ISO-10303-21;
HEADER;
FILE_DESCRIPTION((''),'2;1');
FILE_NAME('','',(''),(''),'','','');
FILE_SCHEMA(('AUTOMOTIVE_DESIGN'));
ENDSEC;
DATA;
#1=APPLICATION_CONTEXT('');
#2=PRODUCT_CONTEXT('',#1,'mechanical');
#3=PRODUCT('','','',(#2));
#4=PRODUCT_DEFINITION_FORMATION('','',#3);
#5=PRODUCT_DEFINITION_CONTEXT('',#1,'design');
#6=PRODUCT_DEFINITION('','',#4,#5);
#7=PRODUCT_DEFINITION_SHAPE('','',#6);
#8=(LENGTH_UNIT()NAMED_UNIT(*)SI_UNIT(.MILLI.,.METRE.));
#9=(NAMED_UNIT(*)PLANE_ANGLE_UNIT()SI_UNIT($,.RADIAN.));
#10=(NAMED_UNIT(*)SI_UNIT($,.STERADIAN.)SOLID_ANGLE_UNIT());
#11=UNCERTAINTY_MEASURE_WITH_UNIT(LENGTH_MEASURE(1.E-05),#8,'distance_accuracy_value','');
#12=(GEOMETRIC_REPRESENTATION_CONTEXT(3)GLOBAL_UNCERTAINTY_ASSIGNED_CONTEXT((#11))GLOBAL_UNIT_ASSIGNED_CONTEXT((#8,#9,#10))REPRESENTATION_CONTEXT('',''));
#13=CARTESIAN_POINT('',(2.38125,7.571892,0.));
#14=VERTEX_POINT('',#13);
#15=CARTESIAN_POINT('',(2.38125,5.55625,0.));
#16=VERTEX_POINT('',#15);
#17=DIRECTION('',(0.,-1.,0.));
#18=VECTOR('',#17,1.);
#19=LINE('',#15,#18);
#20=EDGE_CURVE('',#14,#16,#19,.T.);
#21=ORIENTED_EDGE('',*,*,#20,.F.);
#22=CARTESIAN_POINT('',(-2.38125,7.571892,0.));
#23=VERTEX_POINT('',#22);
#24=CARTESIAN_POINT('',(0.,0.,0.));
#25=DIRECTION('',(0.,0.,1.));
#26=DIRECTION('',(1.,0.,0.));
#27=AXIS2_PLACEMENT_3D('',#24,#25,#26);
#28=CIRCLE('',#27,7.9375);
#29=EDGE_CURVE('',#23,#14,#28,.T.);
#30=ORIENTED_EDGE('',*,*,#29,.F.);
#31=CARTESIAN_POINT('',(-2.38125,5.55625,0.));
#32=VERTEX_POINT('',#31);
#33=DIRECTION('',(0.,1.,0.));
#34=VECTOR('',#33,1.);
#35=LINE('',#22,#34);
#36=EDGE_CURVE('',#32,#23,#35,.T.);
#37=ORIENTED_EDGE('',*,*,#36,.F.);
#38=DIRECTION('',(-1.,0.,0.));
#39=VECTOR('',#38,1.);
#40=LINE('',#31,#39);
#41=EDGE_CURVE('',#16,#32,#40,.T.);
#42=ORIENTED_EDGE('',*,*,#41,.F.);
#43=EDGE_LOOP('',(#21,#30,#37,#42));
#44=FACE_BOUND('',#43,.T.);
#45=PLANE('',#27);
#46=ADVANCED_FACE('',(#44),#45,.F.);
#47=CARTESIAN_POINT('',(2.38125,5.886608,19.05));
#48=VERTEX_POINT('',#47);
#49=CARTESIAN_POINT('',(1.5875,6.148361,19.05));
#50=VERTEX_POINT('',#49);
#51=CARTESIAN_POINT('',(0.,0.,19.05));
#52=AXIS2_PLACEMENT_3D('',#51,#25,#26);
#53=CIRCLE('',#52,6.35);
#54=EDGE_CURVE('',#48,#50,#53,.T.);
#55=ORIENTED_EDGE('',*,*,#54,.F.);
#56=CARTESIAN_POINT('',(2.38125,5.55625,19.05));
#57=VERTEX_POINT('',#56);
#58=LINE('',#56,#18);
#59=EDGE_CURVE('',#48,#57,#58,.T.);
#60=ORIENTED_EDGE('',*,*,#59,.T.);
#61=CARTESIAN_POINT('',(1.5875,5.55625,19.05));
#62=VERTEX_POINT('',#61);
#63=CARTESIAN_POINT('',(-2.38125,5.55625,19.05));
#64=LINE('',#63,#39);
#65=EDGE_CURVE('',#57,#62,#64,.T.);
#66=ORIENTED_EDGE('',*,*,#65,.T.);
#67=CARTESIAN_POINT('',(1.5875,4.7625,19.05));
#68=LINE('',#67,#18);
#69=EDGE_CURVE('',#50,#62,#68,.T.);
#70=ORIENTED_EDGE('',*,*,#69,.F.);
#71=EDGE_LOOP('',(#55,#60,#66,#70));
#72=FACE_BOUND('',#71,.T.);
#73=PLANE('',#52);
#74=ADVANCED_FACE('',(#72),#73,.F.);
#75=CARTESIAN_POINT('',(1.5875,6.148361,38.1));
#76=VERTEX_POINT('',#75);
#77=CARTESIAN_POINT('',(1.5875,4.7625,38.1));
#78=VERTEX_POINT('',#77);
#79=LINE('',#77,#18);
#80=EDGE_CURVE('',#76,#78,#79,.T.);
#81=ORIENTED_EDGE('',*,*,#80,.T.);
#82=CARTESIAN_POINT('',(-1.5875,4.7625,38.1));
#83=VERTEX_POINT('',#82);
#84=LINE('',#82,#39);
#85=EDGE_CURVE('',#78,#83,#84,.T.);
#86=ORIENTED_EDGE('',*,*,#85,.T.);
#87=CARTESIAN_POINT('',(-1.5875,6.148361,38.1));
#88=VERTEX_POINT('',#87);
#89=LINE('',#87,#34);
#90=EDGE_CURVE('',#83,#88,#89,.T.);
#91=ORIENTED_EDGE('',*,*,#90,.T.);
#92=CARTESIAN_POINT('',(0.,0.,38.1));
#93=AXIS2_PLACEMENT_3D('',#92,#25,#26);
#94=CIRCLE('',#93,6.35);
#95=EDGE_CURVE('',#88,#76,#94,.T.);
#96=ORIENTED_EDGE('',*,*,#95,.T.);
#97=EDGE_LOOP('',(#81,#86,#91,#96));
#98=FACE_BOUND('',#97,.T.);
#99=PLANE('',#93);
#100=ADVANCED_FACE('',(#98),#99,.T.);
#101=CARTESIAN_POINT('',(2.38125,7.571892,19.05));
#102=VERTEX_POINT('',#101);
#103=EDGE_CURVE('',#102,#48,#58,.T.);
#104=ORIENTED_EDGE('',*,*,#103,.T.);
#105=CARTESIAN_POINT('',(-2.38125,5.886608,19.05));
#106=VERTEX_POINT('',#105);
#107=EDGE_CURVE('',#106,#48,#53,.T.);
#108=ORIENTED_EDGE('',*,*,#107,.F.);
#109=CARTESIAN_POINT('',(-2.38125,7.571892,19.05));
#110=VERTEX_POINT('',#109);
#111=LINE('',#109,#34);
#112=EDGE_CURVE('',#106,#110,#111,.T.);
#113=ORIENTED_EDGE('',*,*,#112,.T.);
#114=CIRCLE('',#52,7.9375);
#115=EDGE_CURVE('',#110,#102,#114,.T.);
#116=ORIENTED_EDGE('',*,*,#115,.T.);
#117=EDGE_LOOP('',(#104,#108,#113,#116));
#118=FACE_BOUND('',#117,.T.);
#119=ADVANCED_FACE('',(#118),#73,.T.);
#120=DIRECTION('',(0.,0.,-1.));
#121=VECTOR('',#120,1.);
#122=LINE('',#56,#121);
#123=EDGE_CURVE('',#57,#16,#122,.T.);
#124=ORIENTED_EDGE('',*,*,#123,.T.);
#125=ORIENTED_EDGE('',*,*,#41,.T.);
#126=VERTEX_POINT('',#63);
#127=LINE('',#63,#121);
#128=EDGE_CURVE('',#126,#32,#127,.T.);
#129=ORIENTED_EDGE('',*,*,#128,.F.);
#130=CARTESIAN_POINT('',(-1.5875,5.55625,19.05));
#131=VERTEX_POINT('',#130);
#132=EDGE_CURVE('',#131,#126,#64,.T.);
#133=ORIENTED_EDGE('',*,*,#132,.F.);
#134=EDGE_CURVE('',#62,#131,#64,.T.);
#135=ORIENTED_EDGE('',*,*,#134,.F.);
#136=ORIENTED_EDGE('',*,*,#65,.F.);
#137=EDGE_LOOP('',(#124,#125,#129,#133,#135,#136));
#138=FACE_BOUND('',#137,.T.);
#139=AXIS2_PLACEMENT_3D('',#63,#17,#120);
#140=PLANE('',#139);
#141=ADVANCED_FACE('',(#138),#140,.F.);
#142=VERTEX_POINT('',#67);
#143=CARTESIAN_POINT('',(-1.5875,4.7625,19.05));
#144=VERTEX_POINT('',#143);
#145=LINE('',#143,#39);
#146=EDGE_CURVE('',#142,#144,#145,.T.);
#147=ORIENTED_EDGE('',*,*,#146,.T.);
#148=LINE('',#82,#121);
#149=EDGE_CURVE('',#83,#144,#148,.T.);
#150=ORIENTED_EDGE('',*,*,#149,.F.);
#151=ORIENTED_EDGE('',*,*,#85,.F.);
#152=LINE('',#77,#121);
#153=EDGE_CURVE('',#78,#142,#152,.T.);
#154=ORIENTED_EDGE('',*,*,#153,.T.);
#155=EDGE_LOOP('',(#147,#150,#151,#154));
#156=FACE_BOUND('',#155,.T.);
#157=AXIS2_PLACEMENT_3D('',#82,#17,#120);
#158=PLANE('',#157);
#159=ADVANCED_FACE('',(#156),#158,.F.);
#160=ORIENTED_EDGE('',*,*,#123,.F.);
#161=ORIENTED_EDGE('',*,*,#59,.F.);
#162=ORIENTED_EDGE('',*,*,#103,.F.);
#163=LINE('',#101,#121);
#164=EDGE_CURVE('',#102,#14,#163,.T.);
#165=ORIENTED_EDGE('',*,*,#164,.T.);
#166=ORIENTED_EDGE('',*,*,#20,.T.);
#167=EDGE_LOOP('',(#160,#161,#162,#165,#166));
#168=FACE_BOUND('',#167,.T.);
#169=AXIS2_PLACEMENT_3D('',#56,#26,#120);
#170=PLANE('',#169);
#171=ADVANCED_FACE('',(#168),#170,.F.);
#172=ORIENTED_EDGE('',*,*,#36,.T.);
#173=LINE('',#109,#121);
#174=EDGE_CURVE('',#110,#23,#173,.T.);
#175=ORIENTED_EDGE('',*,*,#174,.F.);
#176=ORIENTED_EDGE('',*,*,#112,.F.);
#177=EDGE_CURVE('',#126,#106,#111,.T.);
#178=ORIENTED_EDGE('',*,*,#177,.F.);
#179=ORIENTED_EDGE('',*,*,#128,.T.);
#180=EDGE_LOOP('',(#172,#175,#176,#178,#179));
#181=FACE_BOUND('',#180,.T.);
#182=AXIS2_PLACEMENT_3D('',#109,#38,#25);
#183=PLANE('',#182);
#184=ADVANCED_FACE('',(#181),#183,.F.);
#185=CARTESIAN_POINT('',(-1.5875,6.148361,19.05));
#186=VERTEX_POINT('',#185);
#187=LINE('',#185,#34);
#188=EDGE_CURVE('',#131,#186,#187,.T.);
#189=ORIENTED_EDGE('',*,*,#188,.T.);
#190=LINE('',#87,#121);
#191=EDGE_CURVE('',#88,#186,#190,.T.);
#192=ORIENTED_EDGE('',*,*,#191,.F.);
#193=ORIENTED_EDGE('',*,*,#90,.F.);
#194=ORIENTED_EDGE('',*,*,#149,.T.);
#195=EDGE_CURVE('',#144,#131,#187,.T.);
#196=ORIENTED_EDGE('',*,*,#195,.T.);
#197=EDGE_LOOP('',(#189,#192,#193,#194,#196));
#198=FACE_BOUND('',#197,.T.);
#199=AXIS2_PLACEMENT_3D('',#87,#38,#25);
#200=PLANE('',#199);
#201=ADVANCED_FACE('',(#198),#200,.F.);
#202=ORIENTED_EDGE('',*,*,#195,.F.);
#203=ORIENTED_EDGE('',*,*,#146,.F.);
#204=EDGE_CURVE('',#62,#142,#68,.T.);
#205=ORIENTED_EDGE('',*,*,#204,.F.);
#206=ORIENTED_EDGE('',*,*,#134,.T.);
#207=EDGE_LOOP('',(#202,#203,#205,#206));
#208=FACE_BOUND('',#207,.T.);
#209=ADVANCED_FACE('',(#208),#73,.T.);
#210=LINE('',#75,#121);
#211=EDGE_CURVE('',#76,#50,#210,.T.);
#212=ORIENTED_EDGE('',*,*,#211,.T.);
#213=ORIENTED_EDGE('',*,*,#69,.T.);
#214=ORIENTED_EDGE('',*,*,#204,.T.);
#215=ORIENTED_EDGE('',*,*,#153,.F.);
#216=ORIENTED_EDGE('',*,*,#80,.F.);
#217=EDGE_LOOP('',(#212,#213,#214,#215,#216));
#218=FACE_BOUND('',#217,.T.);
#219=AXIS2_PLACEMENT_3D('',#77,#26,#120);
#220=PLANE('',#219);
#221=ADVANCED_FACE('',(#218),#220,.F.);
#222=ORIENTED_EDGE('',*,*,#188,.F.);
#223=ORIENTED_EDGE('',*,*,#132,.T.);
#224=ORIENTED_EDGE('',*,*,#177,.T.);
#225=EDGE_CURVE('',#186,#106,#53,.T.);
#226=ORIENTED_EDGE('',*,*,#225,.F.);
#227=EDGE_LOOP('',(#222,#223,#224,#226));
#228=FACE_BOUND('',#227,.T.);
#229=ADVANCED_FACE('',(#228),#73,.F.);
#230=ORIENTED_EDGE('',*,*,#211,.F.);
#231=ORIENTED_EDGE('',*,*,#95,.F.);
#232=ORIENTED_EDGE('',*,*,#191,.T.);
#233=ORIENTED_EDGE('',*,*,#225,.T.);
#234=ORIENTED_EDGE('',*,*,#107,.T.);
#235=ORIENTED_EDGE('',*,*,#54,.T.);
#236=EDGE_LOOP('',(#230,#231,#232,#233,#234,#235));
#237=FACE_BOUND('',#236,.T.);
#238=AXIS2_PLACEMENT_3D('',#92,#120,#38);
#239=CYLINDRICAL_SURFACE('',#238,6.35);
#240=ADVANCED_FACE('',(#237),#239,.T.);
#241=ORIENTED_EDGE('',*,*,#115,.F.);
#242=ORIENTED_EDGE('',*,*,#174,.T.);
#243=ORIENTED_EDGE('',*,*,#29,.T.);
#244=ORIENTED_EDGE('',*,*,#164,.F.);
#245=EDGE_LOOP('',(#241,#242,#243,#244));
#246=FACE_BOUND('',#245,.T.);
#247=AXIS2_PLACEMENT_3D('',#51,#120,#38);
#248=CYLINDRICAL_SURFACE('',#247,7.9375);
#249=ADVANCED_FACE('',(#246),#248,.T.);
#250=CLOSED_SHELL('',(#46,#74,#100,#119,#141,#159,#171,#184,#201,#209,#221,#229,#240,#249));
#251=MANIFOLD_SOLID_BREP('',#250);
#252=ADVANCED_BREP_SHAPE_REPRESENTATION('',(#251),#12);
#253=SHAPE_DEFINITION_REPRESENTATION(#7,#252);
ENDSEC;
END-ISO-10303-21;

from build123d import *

# Parameters (mm, degrees)
BOSS_EXTRUDE1_DEPTH = 19.05
BOSS_EXTRUDE2_DEPTH = 19.05


with BuildPart() as part:
    # Sketch1 → Boss-Extrude1 (new body)
    with BuildSketch(Plane.XY):
        with BuildLine():
            Line((-2.38125, 7.571892411), (-2.38125, 5.55625))
            Line((-2.38125, 5.55625), (2.38125, 5.55625))
            Line((2.38125, 5.55625), (2.38125, 7.571892411))
            ThreePointArc((2.38125, 7.571892411), (0, -7.9375), (-2.38125, 7.571892411))
        make_face()
    extrude(amount=BOSS_EXTRUDE1_DEPTH)

    # Sketch2 → Boss-Extrude2 (add)
    with BuildSketch(Plane.XY.offset(19.05)):
        with BuildLine():
            Line((-1.5875, 6.148361062), (-1.5875, 4.7625))
            Line((-1.5875, 4.7625), (1.5875, 4.7625))
            Line((1.5875, 4.7625), (1.5875, 6.148361062))
            ThreePointArc((1.5875, 6.148361062), (0, -6.35), (-1.5875, 6.148361062))
        make_face()
    extrude(amount=BOSS_EXTRUDE2_DEPTH)


solid = part.part
